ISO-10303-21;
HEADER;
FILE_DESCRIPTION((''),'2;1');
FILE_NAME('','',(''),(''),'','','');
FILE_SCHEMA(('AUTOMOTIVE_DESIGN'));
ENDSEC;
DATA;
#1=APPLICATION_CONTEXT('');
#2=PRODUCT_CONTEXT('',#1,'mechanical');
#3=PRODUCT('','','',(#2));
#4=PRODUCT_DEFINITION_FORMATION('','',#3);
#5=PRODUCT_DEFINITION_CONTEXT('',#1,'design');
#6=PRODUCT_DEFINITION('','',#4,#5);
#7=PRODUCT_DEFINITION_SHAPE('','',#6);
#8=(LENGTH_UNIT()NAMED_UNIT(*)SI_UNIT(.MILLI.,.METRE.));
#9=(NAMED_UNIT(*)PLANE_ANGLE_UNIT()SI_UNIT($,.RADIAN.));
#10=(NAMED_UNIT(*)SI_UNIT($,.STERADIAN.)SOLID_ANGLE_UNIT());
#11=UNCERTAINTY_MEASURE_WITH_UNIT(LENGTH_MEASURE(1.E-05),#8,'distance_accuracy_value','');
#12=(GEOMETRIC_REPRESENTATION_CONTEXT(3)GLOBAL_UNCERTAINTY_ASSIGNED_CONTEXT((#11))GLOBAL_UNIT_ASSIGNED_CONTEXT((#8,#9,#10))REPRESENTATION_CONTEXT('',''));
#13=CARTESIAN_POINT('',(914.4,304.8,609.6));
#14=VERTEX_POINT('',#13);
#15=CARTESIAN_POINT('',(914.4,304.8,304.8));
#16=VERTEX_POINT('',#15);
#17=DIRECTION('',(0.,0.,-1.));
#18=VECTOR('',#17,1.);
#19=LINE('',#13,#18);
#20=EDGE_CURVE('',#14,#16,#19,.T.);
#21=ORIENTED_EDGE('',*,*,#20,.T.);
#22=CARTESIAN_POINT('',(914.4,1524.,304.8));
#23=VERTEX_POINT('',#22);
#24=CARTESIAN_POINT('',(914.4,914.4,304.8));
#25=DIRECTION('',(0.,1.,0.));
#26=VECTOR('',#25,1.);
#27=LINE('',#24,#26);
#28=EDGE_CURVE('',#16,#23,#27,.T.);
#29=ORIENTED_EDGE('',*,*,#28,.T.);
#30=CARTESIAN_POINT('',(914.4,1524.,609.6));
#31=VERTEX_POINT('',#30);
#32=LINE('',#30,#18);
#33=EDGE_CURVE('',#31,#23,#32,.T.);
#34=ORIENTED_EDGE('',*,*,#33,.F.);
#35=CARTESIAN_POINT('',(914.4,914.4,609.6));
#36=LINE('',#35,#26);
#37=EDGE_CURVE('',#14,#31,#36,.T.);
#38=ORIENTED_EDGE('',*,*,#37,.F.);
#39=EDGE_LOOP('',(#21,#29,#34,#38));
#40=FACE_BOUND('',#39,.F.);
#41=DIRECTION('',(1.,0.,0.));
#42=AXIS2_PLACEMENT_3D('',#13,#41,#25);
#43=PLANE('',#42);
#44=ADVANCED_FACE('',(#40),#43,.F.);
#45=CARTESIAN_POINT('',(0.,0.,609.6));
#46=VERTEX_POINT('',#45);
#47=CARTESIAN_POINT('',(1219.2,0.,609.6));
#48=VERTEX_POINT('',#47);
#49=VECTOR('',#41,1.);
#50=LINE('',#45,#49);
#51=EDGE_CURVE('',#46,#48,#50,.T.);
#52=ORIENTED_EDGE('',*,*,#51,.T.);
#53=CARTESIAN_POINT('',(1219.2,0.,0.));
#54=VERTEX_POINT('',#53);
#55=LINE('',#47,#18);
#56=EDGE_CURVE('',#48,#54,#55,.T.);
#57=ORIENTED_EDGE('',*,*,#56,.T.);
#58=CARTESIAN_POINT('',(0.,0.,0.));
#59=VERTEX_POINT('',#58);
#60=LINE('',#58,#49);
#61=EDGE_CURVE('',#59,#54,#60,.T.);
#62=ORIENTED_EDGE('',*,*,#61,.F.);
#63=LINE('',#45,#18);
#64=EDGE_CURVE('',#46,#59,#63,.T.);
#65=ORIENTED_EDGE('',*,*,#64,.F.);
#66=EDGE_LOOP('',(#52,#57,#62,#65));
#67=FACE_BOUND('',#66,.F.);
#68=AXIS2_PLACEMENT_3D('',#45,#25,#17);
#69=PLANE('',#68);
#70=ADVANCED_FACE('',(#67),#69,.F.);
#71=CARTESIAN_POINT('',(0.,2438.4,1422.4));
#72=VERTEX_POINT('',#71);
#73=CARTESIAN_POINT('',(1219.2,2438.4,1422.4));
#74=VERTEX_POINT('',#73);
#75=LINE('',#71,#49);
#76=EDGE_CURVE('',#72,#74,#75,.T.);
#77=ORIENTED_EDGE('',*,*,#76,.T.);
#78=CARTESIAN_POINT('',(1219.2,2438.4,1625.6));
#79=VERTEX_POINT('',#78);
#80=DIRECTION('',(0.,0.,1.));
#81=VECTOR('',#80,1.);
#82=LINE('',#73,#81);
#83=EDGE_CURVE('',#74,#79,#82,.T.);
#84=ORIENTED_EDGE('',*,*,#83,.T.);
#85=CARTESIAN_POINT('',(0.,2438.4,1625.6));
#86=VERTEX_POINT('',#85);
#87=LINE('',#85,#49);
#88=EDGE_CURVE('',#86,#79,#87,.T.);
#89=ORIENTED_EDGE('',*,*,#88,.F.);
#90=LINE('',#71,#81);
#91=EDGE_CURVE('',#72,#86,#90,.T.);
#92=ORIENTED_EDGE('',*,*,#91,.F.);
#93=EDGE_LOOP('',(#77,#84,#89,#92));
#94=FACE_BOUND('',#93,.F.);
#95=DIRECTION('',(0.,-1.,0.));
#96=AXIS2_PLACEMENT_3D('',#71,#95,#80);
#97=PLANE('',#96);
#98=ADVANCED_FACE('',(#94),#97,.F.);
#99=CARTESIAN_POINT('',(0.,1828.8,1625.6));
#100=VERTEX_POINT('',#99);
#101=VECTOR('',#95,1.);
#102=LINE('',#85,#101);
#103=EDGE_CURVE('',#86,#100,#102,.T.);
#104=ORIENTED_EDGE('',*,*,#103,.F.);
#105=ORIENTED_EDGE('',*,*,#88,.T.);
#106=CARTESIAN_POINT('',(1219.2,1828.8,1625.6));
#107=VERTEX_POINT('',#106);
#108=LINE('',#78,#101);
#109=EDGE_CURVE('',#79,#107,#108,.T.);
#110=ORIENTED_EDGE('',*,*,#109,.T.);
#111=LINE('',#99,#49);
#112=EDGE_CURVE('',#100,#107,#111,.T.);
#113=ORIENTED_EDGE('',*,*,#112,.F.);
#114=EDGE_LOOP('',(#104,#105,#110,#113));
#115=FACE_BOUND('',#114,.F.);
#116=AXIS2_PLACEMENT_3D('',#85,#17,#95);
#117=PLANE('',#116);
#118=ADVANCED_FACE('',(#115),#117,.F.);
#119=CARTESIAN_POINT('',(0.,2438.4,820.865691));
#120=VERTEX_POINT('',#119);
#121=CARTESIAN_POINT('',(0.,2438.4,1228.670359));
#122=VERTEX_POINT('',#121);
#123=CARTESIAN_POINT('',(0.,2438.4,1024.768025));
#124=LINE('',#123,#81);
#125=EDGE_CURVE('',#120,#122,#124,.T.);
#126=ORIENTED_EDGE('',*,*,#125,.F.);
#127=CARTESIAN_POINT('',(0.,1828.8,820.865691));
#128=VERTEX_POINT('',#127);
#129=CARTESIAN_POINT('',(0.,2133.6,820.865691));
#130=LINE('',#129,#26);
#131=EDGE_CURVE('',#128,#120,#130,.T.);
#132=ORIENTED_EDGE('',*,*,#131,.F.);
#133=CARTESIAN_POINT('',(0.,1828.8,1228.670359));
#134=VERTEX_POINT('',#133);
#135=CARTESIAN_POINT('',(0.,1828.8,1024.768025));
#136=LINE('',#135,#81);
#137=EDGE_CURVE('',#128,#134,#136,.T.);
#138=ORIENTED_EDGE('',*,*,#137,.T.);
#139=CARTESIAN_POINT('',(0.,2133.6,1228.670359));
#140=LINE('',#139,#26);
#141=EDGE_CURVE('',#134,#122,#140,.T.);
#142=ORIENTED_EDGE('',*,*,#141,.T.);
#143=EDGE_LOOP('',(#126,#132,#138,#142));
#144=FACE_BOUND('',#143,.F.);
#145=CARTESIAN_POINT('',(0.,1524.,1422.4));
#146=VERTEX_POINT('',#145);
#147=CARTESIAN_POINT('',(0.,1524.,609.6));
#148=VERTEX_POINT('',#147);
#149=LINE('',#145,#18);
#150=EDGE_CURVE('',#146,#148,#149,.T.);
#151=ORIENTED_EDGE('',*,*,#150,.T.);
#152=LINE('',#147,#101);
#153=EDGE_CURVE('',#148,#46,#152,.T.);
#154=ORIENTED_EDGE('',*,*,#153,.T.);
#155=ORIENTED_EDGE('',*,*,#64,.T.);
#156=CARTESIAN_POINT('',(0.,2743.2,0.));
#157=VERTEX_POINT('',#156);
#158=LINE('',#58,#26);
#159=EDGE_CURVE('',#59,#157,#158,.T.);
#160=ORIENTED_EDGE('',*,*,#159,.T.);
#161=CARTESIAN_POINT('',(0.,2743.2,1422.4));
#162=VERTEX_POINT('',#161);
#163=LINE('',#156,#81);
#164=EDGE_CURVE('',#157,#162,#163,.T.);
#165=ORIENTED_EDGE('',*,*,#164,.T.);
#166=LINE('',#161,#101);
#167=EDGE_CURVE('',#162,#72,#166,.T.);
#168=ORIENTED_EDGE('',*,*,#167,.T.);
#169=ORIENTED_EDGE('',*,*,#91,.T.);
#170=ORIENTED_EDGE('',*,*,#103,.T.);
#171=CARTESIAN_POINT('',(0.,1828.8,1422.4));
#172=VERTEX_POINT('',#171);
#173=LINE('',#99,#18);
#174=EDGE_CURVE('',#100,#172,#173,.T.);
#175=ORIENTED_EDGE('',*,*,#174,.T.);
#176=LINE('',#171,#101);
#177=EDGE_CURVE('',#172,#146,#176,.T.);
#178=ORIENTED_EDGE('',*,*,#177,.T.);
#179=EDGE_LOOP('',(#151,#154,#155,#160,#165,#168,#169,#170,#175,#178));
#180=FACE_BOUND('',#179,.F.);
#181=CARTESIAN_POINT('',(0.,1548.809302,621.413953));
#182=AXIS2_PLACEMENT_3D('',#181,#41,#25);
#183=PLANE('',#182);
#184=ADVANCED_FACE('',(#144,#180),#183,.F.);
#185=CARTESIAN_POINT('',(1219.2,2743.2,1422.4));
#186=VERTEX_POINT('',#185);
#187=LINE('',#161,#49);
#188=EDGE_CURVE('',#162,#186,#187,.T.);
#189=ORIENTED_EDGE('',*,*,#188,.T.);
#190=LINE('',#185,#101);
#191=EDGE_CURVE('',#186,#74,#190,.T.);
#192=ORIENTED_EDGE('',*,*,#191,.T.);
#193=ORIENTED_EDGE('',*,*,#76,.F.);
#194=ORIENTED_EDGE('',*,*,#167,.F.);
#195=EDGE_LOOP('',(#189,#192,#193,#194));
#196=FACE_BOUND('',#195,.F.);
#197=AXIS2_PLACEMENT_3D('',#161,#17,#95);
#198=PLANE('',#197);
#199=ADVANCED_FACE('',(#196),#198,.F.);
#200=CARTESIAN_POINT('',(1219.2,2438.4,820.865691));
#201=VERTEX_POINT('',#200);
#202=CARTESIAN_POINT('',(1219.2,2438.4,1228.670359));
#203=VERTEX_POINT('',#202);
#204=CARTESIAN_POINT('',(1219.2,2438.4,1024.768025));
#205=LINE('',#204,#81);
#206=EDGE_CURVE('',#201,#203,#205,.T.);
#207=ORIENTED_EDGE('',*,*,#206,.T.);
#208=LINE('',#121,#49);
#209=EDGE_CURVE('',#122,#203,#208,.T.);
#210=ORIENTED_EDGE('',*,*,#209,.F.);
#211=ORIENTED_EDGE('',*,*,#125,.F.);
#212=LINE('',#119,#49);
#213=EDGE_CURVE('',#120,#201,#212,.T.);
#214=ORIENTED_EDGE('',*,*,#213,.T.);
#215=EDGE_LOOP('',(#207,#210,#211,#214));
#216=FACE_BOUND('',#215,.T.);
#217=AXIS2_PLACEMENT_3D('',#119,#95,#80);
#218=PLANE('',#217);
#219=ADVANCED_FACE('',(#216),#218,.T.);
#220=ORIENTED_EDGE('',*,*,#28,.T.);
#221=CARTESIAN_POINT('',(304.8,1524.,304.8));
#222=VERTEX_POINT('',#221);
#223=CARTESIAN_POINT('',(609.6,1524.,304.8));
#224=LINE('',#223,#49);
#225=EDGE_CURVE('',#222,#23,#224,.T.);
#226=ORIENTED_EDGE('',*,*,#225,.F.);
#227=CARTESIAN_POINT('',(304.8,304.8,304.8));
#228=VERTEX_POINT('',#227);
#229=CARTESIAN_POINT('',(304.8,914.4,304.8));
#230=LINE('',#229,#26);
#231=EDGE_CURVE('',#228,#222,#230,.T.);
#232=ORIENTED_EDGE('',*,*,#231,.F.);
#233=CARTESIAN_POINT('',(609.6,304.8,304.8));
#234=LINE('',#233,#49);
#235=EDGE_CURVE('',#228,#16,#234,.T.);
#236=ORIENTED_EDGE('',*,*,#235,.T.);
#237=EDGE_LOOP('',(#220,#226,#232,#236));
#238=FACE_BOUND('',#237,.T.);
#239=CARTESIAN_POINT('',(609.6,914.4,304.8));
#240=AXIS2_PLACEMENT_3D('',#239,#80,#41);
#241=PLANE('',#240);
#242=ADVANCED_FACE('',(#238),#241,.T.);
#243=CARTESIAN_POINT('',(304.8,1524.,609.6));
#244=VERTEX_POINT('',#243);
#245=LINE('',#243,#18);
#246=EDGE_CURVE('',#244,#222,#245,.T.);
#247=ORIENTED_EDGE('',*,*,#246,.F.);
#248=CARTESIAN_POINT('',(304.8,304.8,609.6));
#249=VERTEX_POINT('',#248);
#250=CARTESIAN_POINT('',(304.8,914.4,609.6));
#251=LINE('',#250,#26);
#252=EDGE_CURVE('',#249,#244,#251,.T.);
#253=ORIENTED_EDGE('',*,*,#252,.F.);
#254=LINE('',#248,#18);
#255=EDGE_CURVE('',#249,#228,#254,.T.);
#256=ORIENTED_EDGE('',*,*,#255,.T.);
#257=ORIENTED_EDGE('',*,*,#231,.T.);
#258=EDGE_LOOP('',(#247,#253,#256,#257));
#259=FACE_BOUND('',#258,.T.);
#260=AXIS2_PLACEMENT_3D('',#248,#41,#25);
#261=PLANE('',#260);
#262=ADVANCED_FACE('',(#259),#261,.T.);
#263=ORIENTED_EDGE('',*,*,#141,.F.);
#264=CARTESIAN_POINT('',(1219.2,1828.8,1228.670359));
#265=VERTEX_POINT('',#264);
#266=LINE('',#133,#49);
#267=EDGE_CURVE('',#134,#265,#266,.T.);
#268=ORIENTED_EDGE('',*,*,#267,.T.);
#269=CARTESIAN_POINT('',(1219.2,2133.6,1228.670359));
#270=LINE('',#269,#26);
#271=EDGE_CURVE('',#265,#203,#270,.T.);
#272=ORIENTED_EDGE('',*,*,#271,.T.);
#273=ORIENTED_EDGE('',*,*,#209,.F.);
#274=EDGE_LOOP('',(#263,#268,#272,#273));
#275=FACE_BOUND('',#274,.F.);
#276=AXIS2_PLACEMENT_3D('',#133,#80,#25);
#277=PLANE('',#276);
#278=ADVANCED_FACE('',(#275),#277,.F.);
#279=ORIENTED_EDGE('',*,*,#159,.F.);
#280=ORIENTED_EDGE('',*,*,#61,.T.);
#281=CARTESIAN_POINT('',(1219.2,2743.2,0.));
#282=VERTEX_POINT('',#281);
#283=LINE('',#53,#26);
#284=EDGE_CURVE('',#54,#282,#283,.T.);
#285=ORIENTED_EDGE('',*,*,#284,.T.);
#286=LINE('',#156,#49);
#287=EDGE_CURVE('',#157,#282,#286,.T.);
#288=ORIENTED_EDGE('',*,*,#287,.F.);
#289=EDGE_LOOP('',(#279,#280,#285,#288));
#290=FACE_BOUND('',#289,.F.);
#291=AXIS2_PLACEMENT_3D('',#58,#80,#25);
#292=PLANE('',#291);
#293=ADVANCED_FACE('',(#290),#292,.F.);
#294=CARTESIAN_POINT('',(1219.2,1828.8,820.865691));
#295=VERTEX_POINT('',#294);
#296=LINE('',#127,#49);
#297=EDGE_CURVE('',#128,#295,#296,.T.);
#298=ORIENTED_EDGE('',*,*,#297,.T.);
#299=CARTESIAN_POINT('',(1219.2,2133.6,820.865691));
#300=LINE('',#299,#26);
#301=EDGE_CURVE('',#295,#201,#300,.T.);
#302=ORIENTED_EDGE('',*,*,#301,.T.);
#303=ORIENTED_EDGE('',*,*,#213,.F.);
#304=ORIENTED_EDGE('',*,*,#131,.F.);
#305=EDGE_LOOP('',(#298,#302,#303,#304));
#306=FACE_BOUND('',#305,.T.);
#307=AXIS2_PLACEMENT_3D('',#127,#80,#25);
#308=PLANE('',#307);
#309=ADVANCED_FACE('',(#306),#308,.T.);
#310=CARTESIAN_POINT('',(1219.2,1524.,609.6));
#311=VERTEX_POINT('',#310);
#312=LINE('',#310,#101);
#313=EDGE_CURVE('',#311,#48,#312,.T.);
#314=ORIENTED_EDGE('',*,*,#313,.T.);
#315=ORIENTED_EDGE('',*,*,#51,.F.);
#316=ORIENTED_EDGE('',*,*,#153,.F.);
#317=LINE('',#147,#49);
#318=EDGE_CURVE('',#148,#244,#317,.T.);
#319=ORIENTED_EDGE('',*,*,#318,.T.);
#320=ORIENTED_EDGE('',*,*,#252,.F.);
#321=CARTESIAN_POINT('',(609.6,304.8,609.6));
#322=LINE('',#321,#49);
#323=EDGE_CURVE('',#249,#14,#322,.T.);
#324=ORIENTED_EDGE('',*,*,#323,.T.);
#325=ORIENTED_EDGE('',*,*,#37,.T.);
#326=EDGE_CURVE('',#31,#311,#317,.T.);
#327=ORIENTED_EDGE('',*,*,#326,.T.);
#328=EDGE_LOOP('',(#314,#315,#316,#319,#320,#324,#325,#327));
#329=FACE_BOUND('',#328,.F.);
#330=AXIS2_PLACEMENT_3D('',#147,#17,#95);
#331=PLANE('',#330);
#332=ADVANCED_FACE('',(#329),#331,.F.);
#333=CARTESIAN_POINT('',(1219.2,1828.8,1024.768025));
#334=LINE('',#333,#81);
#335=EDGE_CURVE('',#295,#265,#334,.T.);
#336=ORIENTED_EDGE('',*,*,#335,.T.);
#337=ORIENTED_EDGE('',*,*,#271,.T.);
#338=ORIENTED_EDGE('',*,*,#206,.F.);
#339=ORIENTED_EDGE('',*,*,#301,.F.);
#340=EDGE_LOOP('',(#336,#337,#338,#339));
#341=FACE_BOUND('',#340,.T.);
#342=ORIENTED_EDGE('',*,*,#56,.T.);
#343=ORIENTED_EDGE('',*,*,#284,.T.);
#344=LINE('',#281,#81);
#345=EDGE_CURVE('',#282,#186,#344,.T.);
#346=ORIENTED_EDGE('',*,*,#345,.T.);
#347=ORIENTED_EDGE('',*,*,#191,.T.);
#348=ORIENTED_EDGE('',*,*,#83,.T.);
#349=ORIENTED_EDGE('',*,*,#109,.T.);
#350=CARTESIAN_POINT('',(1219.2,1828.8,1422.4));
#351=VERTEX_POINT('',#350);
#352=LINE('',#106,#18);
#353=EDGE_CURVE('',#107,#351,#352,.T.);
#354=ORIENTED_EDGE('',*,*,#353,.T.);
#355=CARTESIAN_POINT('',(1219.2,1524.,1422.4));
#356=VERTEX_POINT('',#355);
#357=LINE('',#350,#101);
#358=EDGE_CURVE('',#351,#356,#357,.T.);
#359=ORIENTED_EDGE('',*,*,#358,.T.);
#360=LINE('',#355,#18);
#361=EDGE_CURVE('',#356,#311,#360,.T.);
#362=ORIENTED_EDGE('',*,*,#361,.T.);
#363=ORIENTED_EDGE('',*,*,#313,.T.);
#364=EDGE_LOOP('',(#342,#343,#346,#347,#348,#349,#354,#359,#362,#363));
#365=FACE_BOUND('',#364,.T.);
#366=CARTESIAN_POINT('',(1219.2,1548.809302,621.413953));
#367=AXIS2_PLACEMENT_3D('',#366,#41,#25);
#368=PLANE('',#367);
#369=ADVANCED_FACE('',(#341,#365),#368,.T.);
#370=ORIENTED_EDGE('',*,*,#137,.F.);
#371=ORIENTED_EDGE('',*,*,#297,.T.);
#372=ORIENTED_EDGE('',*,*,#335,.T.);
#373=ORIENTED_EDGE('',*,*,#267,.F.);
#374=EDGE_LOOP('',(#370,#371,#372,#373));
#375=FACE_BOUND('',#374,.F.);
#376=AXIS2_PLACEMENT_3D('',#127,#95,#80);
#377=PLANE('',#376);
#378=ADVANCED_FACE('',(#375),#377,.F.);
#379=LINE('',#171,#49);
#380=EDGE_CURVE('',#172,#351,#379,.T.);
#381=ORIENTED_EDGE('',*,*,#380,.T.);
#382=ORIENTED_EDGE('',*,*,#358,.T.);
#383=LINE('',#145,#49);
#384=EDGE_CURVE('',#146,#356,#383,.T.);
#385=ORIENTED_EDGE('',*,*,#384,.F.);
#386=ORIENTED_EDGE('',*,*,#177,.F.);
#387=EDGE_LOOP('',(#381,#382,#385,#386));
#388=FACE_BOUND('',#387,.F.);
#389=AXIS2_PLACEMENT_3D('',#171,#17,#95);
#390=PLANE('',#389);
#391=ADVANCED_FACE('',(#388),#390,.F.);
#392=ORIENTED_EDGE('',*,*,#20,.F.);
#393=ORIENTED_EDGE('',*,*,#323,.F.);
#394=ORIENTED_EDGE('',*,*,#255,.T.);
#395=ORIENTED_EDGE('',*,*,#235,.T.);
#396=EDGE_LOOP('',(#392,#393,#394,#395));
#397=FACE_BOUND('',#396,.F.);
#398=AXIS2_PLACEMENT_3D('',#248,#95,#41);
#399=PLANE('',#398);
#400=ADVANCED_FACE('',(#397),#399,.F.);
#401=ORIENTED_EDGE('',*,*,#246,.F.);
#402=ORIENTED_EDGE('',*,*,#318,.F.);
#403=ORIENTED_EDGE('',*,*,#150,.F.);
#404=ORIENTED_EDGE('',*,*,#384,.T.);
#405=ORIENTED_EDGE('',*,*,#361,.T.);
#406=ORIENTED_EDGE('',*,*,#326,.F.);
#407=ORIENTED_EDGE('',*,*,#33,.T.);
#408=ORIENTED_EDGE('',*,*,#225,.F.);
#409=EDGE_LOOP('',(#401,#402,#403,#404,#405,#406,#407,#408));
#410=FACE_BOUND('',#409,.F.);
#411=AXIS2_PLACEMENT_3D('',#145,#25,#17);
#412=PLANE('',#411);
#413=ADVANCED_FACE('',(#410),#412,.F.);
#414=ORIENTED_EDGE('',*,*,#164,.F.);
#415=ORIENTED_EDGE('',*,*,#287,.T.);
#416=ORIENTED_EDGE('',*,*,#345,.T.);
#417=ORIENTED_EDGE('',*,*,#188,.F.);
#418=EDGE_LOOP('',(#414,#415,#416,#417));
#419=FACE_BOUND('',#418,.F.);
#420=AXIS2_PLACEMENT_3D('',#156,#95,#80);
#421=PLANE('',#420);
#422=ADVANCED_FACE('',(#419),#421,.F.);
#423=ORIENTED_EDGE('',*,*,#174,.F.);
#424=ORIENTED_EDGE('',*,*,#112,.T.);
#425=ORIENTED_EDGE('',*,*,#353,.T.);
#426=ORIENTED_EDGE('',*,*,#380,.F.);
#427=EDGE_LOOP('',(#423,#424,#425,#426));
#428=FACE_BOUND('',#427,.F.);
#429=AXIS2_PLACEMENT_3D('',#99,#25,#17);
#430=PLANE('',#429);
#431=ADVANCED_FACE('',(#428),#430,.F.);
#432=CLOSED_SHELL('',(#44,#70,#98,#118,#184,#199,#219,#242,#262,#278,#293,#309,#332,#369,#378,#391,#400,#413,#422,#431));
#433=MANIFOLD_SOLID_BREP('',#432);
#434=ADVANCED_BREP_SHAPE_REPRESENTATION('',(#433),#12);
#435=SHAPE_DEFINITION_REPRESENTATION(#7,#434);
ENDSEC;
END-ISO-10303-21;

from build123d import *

# Parameters (mm, degrees)
F0_W     = 609.6
F0_H     = 407.804668
F1_DEPTH = 1219.2
F2_W     = 609.6
F2_H     = 1219.2
F3_DEPTH = 304.8


with BuildPart() as f1:
    # F0 (on Right) → F1 (new body)
    with BuildSketch(Plane.YZ):
        Polygon((0, 609.6), (0, 0), (2743.2, 0), (2743.2, 1422.4), (2438.4, 1422.4), (2438.4, 1625.6), (1828.8, 1625.6), (1828.8, 1422.4), (1524, 1422.4), (1524, 609.6), align=None)
        with Locations((2133.6, 1024.768025)):
            Rectangle(F0_W, F0_H, mode=Mode.SUBTRACT)
    extrude(amount=F1_DEPTH)

    # F2 (on face) → F3 (cut)
    with BuildSketch(Plane.XY.offset(609.6)):
        with Locations((609.6, 914.4)):
            Rectangle(F2_W, F2_H)
    extrude(amount=-F3_DEPTH, mode=Mode.SUBTRACT)


solid = f1.part
